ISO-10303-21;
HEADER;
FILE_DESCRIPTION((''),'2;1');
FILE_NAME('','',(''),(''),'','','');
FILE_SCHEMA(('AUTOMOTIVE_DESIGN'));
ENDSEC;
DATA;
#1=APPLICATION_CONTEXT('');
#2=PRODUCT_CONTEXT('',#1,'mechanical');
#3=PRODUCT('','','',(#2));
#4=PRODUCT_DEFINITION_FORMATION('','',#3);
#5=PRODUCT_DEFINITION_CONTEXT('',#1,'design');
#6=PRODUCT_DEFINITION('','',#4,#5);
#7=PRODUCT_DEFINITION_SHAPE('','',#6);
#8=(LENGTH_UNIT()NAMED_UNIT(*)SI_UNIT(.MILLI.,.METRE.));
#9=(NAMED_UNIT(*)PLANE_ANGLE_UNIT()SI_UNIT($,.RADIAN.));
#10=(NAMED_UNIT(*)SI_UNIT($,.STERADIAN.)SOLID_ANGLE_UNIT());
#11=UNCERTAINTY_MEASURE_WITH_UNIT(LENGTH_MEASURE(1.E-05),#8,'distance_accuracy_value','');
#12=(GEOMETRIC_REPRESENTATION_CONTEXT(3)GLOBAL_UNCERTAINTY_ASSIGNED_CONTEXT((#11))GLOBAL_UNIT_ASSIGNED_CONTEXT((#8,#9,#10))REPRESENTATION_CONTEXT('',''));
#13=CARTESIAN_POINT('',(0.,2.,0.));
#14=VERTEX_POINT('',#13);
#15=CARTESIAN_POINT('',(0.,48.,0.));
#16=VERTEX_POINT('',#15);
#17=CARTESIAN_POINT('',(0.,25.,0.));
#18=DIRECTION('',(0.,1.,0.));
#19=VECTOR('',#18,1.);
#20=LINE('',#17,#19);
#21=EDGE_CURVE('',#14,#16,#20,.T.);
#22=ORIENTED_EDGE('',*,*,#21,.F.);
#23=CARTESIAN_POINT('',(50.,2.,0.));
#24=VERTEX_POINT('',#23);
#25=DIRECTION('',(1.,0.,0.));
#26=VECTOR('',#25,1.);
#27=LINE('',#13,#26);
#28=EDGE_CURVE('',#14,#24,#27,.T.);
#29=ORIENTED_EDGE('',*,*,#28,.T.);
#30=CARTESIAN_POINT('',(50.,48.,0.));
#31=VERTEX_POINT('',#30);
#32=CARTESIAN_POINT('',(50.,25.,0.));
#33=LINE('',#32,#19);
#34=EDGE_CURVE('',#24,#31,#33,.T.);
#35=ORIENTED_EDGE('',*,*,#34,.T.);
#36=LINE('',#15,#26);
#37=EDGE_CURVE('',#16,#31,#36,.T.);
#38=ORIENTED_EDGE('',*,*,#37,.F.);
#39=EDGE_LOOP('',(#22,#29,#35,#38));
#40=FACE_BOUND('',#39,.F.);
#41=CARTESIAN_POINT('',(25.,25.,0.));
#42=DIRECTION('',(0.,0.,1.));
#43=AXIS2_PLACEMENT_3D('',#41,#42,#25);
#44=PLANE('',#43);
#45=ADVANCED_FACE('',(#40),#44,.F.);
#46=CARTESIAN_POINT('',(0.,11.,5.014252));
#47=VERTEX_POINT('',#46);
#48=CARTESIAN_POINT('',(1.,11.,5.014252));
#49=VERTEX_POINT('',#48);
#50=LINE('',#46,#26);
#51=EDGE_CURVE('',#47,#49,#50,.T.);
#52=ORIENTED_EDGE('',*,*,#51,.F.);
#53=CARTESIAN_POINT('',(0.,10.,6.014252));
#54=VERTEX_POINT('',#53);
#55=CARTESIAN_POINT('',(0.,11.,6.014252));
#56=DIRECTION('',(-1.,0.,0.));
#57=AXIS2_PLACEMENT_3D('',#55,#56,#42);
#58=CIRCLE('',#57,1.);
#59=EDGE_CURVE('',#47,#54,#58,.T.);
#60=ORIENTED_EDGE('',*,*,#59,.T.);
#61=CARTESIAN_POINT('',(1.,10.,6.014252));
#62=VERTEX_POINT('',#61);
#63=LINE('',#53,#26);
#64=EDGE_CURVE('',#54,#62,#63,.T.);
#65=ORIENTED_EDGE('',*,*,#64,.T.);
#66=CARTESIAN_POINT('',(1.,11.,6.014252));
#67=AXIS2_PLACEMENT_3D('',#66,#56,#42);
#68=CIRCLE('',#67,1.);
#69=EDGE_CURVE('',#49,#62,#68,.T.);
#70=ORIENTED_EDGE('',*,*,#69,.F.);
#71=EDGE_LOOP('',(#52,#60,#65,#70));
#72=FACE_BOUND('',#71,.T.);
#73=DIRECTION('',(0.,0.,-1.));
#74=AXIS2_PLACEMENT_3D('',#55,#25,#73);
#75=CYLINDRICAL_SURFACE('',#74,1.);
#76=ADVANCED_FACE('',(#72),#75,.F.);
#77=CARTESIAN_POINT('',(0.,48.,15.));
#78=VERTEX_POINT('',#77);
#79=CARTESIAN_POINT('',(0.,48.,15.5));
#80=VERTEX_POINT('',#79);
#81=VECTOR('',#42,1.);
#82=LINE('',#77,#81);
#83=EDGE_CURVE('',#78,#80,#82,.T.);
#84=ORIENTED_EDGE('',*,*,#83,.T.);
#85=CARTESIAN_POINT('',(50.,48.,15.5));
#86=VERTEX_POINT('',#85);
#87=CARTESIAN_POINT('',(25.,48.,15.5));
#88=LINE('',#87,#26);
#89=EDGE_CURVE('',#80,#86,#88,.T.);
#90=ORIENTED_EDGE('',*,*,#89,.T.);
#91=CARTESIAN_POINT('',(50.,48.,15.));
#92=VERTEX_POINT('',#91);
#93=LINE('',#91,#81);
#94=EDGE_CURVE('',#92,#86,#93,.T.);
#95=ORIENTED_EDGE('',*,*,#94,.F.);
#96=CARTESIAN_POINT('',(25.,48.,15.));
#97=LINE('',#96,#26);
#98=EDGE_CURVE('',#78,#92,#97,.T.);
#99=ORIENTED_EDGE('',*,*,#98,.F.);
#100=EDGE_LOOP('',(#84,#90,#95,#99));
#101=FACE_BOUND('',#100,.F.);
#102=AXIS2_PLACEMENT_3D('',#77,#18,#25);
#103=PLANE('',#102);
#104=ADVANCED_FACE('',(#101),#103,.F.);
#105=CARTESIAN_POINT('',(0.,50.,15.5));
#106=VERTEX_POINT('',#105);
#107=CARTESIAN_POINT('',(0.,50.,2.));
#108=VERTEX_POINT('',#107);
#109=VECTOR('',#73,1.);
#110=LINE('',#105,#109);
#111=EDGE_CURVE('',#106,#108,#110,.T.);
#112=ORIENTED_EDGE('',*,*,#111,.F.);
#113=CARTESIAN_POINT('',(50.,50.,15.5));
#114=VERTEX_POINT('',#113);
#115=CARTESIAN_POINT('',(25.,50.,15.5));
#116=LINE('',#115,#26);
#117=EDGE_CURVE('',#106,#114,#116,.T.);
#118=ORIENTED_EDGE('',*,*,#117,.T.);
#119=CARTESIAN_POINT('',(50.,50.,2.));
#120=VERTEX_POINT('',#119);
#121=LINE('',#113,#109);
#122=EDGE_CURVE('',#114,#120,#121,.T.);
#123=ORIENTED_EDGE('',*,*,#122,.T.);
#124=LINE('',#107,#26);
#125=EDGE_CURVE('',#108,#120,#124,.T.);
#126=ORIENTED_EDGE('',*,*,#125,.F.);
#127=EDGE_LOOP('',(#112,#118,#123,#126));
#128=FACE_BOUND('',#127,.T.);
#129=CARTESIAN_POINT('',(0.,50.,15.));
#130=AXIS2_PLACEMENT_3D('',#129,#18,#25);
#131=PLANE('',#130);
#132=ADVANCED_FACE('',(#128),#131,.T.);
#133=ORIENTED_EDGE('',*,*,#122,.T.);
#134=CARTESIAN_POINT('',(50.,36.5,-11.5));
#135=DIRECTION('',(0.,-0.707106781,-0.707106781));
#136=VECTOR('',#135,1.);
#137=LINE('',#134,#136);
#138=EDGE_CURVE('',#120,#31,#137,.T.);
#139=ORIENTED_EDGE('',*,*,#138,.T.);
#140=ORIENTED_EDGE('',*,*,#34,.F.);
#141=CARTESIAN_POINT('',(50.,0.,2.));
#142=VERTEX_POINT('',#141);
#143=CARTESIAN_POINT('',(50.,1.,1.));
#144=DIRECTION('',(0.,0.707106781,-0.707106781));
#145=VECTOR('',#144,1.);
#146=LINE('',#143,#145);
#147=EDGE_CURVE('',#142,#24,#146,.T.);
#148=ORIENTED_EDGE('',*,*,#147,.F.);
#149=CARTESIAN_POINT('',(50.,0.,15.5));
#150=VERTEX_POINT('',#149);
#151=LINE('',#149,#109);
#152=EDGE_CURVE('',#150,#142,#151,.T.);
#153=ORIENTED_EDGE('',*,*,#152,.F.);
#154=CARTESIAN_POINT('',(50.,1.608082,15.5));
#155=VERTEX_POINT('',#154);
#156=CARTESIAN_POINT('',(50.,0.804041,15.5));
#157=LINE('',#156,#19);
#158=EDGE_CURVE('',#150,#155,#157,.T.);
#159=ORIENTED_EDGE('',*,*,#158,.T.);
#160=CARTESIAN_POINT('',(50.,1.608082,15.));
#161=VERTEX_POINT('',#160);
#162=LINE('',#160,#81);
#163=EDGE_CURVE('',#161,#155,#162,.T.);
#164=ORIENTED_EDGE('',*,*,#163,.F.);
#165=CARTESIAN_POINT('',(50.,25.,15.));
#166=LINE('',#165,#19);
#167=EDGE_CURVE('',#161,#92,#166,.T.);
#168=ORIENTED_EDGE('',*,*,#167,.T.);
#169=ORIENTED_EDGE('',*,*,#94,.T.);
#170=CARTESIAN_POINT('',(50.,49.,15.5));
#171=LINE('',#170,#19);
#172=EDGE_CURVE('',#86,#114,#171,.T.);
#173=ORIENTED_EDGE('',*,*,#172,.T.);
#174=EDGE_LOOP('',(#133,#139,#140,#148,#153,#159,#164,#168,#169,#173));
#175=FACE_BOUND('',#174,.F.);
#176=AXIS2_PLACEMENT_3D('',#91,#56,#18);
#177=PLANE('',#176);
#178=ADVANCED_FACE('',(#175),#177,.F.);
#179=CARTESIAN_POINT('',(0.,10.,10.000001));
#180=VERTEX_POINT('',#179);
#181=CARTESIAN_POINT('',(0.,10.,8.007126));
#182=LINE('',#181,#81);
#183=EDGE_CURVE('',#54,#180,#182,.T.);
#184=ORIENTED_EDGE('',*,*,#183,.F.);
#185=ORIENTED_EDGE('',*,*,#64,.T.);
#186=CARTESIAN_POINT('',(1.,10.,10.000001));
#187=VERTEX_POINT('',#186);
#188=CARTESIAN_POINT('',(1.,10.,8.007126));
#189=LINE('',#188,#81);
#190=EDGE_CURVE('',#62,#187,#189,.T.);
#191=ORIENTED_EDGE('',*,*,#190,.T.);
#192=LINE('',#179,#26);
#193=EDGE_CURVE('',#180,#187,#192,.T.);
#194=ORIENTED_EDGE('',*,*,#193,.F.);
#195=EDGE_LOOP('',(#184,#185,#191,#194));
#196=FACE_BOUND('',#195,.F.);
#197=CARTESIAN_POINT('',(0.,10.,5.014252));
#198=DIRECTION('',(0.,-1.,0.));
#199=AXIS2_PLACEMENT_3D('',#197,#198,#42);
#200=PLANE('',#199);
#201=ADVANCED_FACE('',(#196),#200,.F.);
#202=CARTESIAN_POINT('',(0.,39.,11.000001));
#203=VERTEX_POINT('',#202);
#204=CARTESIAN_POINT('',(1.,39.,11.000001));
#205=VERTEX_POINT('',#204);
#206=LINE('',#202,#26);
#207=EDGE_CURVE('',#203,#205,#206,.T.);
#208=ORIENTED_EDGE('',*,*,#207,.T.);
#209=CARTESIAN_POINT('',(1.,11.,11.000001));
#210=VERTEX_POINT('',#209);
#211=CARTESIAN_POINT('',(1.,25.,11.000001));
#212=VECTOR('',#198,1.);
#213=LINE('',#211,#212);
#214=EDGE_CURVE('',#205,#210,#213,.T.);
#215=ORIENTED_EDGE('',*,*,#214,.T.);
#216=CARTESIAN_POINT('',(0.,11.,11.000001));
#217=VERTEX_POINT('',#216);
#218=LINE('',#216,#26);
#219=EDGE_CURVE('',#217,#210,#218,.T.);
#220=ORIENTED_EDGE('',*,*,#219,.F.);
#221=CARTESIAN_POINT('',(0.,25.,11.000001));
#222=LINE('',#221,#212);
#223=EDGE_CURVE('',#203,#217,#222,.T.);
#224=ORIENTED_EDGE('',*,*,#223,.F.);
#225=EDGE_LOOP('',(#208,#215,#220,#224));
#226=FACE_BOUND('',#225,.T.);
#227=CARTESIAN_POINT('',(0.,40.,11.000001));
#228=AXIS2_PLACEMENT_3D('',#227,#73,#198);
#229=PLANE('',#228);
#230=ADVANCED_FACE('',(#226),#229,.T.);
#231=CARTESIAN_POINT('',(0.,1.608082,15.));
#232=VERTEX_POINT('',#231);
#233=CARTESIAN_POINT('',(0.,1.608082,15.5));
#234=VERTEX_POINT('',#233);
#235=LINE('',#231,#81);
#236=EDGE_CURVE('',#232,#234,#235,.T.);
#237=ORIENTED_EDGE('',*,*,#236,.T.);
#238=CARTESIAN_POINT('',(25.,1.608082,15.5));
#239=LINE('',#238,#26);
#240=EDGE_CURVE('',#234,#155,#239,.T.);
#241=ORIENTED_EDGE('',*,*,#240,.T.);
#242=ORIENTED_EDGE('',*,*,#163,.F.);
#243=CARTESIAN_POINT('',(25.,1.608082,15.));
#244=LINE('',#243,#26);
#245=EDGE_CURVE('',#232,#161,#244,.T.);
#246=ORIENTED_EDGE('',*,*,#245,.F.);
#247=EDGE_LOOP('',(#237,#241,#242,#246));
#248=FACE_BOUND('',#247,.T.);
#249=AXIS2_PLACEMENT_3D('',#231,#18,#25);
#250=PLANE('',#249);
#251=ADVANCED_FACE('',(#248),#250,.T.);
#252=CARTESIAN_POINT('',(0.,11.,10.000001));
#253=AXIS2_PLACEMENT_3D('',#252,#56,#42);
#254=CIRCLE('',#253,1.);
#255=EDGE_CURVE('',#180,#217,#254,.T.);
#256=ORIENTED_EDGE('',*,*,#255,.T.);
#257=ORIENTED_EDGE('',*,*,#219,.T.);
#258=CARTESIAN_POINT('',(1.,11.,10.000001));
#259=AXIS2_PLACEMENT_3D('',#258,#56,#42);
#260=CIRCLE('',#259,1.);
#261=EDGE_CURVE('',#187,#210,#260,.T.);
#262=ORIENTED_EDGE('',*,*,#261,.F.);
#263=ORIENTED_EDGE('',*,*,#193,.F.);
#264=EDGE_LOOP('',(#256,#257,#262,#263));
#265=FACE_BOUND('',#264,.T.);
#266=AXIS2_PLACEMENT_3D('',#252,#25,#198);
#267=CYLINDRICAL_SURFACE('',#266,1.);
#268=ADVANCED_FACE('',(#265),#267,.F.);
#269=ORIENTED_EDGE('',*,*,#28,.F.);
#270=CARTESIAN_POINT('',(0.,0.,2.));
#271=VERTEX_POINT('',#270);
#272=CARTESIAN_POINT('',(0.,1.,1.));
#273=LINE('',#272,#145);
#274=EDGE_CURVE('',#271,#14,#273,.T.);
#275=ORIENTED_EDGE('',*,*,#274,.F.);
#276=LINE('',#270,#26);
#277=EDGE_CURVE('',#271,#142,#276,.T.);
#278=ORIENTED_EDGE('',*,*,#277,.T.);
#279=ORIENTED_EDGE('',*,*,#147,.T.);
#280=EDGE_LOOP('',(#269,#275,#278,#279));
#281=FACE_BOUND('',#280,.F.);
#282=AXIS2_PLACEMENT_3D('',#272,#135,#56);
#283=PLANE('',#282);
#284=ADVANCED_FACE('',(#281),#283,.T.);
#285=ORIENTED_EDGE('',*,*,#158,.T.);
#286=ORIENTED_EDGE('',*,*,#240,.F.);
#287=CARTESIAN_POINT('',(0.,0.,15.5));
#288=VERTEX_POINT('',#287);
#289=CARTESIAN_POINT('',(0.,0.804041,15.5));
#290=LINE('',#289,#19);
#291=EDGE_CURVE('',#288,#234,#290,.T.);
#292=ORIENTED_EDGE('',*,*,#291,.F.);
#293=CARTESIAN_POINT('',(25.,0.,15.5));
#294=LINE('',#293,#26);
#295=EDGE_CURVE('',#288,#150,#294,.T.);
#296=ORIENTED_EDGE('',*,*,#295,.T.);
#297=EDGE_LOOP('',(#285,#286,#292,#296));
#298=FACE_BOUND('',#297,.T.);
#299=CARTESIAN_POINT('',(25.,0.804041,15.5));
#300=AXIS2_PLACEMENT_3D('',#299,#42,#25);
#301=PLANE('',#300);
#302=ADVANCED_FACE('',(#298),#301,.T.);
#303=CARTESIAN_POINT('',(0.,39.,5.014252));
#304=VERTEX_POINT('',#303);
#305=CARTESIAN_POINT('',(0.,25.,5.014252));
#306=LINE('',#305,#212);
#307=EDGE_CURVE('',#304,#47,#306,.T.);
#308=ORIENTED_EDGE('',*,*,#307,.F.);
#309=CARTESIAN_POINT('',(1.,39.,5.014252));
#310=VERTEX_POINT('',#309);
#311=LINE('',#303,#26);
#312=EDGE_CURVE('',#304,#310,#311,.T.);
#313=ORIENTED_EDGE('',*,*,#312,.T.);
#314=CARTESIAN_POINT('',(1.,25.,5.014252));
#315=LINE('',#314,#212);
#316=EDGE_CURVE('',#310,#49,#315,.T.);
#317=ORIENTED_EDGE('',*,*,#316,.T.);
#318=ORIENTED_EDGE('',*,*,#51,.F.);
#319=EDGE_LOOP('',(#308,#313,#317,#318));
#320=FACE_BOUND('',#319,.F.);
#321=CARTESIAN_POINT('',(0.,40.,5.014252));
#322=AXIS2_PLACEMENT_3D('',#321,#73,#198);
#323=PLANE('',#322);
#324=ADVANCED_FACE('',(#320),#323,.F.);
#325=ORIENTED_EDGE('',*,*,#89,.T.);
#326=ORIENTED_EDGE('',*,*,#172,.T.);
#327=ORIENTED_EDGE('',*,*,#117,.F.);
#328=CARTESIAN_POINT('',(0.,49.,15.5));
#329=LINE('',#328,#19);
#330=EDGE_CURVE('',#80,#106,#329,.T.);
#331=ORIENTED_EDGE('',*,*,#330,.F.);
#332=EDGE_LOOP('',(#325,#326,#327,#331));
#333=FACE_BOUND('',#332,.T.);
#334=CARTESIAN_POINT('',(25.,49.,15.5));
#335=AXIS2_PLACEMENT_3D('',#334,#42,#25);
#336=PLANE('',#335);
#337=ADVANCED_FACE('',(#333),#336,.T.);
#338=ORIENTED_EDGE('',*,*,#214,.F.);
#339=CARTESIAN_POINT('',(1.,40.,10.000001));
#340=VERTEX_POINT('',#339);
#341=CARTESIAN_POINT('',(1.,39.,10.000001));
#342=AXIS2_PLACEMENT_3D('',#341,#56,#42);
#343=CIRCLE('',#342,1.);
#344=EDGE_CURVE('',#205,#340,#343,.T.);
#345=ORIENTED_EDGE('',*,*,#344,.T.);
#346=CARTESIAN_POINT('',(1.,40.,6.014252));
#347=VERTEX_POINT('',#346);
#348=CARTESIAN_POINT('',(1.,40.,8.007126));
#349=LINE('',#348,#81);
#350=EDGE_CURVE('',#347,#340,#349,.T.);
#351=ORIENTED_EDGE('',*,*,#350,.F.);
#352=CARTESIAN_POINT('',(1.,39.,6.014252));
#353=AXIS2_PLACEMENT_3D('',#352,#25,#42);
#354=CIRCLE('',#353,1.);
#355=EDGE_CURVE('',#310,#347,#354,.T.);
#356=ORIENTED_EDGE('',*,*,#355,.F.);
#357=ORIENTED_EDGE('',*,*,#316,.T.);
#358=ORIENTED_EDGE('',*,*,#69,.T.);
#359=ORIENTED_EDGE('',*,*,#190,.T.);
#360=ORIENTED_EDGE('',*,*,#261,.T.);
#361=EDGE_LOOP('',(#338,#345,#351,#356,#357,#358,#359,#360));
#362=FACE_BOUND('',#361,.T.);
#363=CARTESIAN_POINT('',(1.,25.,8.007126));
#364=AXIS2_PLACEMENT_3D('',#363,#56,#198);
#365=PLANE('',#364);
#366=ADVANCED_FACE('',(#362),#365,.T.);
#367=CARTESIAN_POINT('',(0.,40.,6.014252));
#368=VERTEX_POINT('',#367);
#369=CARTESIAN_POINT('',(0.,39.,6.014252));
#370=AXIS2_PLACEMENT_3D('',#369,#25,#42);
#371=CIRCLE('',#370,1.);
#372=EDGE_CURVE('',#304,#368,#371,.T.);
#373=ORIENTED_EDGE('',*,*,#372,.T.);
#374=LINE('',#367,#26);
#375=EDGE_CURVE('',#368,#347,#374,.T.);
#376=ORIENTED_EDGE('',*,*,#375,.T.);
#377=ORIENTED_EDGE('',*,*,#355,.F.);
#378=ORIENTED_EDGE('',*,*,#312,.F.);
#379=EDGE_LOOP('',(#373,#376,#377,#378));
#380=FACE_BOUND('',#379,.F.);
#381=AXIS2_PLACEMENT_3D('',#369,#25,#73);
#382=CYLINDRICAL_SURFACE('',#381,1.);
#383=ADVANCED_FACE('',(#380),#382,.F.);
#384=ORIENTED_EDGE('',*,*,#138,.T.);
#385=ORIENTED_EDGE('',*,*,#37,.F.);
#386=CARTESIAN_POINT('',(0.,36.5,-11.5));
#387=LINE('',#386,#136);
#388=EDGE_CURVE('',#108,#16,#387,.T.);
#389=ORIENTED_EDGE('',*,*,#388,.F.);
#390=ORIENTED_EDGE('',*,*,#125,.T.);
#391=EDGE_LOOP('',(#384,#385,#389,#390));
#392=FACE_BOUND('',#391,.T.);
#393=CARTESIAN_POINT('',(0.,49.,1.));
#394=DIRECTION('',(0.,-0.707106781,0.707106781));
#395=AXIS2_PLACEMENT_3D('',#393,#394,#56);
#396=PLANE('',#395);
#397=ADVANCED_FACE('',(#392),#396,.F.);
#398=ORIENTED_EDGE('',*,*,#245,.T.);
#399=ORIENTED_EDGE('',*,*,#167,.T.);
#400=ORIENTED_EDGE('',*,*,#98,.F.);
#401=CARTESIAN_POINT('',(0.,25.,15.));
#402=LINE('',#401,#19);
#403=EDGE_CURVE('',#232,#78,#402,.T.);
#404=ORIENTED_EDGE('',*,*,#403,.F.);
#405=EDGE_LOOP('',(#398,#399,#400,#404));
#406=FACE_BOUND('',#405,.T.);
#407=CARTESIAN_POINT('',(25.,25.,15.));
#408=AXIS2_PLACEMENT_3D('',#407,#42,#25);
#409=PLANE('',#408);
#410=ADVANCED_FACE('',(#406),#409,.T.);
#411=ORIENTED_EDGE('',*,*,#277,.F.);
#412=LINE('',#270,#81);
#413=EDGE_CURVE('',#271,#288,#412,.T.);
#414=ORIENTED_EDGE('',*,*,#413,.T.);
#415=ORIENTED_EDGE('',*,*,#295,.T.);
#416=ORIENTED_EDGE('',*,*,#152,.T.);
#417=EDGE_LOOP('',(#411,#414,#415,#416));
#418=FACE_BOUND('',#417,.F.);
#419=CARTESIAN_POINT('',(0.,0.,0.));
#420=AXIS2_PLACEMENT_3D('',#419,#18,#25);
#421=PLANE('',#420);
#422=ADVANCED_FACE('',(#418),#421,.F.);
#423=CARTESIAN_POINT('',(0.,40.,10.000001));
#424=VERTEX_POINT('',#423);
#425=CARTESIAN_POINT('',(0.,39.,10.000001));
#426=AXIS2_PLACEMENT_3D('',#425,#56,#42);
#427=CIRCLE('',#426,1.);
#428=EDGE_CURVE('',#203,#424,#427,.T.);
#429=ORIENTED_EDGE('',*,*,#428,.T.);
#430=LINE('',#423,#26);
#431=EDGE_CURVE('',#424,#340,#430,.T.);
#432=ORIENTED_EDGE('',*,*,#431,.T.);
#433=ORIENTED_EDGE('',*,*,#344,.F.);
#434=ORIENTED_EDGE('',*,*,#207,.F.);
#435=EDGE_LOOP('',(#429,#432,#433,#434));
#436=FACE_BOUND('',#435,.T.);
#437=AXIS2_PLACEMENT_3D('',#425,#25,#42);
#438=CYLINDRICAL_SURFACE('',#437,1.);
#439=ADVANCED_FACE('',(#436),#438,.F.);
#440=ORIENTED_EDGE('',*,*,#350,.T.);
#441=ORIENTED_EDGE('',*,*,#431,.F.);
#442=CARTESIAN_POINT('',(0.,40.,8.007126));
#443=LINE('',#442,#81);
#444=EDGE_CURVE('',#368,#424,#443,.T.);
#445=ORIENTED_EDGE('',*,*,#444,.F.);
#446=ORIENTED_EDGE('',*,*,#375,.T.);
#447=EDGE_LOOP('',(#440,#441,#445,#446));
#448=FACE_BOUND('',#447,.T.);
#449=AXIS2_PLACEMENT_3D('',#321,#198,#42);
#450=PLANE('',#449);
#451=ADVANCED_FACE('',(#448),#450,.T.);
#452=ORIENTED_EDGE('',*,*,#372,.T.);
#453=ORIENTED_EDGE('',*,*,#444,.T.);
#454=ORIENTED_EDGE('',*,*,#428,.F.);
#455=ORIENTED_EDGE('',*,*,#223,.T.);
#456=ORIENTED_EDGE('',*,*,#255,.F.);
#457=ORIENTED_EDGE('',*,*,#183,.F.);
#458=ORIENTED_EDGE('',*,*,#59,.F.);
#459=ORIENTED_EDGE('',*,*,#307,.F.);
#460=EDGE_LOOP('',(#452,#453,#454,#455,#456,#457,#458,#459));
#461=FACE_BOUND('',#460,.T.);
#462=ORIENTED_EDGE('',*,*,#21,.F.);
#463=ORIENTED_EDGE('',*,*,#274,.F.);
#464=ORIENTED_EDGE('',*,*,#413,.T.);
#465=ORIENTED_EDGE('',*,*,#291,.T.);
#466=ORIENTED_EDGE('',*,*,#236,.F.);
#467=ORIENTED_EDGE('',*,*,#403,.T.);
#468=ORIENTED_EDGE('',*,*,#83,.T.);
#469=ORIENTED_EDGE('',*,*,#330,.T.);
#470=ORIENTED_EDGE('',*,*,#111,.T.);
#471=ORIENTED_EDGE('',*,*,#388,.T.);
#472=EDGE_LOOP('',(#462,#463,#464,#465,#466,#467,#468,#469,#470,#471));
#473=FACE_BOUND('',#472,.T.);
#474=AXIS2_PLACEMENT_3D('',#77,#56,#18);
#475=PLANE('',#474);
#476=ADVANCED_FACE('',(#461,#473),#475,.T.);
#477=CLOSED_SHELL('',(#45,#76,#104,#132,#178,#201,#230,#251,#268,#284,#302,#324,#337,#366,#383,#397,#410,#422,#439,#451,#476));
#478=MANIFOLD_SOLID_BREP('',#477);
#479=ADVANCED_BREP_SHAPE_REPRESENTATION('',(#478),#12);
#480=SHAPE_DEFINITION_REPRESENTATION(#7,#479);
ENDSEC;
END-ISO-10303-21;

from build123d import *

# Parameters (mm, degrees)
F0_W     = 50
F0_H     = 50
F1_DEPTH = 15
F2_SIZE  = 2
F3_W     = 30
F3_H     = 5.985749
F4_DEPTH = 1
F5_R     = 1
F6_W     = 50
F6_H     = 2
F6_H_2   = 1.608082
F7_DEPTH = 0.5


with BuildPart() as f1:
    # F0 (on Top) → F1 (new body)
    with BuildSketch(Plane.XY):
        with Locations((25, 25)):
            Rectangle(F0_W, F0_H)
    extrude(amount=F1_DEPTH)

    # F2
    f2_edges = [f1.edges().sort_by_distance(p)[0] for p in [
        (25, 0, 0),
        (25, 50, 0),
    ]]
    chamfer(f2_edges, length=F2_SIZE)

    # F3 (on face) → F4 (cut)
    with BuildSketch(Plane(origin=(0, 0, 0), x_dir=(0, -1, 0), z_dir=(-1, 0, 0))):
        with Locations((-25, 8.007126)):
            Rectangle(F3_W, F3_H)
    extrude(amount=-F4_DEPTH, mode=Mode.SUBTRACT)

    # F5
    f5_edges = [f1.edges().sort_by_distance(p)[0] for p in [
        (0.5, 40, 11),
        (0.5, 40, 5.014251),
        (0.5, 10, 11),
        (0.5, 10, 5.014251),
    ]]
    fillet(f5_edges, radius=F5_R)

    # F6 (on face) → F7 (join)
    with BuildSketch(Plane.XY.offset(15)):
        with Locations((25, 49)):
            Rectangle(F6_W, F6_H)
        with Locations((25, 0.804041)):
            Rectangle(F6_W, F6_H_2)
    extrude(amount=F7_DEPTH)


solid = f1.part
